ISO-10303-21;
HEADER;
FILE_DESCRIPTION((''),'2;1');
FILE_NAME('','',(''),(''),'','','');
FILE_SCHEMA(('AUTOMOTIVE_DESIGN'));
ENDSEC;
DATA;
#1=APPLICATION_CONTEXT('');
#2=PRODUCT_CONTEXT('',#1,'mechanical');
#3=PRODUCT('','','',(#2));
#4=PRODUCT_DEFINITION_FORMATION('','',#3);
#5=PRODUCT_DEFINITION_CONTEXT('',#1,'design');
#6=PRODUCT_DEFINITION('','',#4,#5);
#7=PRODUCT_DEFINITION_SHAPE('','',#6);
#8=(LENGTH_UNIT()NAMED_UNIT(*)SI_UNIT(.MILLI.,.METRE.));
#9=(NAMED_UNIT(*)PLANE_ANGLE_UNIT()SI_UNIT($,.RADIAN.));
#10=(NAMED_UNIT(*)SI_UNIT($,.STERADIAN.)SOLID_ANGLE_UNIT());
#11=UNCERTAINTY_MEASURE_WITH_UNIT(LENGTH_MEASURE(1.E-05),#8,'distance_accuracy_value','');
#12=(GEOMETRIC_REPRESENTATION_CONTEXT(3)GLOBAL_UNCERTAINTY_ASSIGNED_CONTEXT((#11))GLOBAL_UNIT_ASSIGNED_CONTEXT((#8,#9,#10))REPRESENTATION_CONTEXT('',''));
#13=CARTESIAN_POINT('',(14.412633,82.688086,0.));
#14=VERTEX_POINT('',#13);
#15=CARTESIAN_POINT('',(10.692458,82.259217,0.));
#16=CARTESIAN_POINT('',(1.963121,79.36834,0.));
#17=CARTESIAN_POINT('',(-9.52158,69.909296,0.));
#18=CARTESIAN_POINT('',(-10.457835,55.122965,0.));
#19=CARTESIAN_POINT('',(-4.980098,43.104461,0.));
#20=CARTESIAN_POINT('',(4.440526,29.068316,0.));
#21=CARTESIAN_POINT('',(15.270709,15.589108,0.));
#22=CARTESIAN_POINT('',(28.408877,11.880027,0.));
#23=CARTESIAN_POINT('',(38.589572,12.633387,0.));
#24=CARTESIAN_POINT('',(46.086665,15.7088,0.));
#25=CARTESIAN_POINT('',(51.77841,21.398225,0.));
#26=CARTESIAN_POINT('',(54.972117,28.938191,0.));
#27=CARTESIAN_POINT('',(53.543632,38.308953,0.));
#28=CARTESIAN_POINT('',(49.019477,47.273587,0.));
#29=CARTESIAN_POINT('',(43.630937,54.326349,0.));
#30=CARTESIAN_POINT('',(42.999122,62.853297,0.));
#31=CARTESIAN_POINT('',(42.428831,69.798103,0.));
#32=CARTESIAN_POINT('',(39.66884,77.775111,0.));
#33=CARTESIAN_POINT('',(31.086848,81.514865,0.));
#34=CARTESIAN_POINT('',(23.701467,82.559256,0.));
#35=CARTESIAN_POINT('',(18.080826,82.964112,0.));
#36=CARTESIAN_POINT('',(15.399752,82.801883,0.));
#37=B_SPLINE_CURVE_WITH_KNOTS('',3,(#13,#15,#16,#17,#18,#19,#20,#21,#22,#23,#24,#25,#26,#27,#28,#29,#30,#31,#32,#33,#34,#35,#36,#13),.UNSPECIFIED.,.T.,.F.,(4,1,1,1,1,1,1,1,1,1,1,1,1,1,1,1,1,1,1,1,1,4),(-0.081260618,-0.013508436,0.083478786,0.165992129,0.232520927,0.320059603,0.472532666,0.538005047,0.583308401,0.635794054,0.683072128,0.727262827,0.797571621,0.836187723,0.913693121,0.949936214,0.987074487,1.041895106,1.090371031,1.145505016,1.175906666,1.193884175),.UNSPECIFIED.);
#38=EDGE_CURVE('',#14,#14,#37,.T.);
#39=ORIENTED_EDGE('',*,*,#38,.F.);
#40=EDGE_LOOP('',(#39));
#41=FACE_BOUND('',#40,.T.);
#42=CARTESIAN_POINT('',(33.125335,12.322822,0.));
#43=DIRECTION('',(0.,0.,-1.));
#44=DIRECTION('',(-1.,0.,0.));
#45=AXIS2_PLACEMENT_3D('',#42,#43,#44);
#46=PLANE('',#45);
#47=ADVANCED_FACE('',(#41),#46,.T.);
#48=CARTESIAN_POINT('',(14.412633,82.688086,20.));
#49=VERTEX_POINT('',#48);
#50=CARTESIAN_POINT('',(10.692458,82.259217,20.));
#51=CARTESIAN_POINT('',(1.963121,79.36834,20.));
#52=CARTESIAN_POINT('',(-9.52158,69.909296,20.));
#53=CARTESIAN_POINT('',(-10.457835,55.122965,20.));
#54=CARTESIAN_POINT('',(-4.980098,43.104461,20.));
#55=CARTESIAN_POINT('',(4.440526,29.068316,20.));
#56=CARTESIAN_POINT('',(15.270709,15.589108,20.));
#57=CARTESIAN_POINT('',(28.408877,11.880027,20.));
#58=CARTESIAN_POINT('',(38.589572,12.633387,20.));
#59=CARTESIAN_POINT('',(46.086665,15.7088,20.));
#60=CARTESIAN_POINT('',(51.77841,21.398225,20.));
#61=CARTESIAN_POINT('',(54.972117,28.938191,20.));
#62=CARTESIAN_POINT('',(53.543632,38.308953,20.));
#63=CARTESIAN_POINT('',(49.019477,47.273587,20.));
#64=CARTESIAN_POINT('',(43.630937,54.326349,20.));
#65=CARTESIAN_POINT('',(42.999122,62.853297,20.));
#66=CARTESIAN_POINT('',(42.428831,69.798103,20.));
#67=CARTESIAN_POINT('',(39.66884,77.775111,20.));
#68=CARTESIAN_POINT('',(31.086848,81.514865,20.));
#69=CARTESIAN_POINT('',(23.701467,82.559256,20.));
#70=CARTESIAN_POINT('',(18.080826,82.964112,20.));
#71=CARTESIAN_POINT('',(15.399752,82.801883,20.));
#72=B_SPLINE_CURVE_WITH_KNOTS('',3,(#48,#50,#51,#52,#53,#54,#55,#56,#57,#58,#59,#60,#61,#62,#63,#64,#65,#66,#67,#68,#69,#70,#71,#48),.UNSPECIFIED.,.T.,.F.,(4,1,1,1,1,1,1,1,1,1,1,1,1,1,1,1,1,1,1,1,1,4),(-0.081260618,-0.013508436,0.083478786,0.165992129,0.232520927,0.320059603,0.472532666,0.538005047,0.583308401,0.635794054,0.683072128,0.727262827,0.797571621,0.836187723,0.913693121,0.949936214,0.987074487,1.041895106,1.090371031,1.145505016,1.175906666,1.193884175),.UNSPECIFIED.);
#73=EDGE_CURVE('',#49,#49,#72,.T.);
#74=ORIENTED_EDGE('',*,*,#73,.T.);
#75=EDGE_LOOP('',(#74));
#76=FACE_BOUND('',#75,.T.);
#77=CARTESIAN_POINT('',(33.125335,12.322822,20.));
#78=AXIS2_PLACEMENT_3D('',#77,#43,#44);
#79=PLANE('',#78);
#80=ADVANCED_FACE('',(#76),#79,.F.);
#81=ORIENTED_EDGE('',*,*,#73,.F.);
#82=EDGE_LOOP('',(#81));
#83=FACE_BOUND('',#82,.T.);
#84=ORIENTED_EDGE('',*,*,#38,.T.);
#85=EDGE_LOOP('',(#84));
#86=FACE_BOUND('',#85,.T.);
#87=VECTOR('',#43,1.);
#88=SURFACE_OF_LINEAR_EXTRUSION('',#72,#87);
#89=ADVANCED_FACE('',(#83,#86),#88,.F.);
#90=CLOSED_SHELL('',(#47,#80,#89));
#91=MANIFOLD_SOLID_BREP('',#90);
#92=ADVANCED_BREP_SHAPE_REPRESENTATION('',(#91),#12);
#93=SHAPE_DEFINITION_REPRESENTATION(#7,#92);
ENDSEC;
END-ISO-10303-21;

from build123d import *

# Parameters (mm, degrees)
BOSS_EXTRUDE1_DEPTH = 20


with BuildPart() as part:
    # Sketch2 → Boss-Extrude1 (new body)
    with BuildSketch(Plane.XY):
        with BuildLine():
            add(Edge.make_bspline(
                [(14.412632638, 82.688085572), (10.692457795, 82.259216615), (1.963120798, 79.368340106), (-9.521579753, 69.90929634), (-10.457834605, 55.122964962), (-4.980097963, 43.10446149), (4.44052596, 29.068316403), (15.270708719, 15.589107794), (28.40887659, 11.880027271), (38.589572213, 12.6333866), (46.08666546, 15.708799547), (51.778409843, 21.398225177), (54.972116921, 28.938190806), (53.543631903, 38.308952686), (49.019477254, 47.273586509), (43.630937475, 54.326349469), (42.999122109, 62.853297088), (42.428830818, 69.798102902), (39.668840413, 77.775110922), (31.086847557, 81.514864912), (23.701467373, 82.559256422), (18.080826327, 82.964112434), (15.399751795, 82.801882579), (14.412632638, 82.688085572)],
                knots=[-0.081260618, -0.081260618, -0.081260618, -0.081260618, -0.013508436, 0.083478786, 0.165992129, 0.232520927, 0.320059603, 0.472532666, 0.538005047, 0.583308401, 0.635794054, 0.683072128, 0.727262827, 0.797571621, 0.836187723, 0.913693121, 0.949936214, 0.987074487, 1.041895106, 1.090371031, 1.145505016, 1.175906666, 1.193884175, 1.193884175, 1.193884175, 1.193884175], degree=3))
        make_face()
    extrude(amount=BOSS_EXTRUDE1_DEPTH)


solid = part.part
